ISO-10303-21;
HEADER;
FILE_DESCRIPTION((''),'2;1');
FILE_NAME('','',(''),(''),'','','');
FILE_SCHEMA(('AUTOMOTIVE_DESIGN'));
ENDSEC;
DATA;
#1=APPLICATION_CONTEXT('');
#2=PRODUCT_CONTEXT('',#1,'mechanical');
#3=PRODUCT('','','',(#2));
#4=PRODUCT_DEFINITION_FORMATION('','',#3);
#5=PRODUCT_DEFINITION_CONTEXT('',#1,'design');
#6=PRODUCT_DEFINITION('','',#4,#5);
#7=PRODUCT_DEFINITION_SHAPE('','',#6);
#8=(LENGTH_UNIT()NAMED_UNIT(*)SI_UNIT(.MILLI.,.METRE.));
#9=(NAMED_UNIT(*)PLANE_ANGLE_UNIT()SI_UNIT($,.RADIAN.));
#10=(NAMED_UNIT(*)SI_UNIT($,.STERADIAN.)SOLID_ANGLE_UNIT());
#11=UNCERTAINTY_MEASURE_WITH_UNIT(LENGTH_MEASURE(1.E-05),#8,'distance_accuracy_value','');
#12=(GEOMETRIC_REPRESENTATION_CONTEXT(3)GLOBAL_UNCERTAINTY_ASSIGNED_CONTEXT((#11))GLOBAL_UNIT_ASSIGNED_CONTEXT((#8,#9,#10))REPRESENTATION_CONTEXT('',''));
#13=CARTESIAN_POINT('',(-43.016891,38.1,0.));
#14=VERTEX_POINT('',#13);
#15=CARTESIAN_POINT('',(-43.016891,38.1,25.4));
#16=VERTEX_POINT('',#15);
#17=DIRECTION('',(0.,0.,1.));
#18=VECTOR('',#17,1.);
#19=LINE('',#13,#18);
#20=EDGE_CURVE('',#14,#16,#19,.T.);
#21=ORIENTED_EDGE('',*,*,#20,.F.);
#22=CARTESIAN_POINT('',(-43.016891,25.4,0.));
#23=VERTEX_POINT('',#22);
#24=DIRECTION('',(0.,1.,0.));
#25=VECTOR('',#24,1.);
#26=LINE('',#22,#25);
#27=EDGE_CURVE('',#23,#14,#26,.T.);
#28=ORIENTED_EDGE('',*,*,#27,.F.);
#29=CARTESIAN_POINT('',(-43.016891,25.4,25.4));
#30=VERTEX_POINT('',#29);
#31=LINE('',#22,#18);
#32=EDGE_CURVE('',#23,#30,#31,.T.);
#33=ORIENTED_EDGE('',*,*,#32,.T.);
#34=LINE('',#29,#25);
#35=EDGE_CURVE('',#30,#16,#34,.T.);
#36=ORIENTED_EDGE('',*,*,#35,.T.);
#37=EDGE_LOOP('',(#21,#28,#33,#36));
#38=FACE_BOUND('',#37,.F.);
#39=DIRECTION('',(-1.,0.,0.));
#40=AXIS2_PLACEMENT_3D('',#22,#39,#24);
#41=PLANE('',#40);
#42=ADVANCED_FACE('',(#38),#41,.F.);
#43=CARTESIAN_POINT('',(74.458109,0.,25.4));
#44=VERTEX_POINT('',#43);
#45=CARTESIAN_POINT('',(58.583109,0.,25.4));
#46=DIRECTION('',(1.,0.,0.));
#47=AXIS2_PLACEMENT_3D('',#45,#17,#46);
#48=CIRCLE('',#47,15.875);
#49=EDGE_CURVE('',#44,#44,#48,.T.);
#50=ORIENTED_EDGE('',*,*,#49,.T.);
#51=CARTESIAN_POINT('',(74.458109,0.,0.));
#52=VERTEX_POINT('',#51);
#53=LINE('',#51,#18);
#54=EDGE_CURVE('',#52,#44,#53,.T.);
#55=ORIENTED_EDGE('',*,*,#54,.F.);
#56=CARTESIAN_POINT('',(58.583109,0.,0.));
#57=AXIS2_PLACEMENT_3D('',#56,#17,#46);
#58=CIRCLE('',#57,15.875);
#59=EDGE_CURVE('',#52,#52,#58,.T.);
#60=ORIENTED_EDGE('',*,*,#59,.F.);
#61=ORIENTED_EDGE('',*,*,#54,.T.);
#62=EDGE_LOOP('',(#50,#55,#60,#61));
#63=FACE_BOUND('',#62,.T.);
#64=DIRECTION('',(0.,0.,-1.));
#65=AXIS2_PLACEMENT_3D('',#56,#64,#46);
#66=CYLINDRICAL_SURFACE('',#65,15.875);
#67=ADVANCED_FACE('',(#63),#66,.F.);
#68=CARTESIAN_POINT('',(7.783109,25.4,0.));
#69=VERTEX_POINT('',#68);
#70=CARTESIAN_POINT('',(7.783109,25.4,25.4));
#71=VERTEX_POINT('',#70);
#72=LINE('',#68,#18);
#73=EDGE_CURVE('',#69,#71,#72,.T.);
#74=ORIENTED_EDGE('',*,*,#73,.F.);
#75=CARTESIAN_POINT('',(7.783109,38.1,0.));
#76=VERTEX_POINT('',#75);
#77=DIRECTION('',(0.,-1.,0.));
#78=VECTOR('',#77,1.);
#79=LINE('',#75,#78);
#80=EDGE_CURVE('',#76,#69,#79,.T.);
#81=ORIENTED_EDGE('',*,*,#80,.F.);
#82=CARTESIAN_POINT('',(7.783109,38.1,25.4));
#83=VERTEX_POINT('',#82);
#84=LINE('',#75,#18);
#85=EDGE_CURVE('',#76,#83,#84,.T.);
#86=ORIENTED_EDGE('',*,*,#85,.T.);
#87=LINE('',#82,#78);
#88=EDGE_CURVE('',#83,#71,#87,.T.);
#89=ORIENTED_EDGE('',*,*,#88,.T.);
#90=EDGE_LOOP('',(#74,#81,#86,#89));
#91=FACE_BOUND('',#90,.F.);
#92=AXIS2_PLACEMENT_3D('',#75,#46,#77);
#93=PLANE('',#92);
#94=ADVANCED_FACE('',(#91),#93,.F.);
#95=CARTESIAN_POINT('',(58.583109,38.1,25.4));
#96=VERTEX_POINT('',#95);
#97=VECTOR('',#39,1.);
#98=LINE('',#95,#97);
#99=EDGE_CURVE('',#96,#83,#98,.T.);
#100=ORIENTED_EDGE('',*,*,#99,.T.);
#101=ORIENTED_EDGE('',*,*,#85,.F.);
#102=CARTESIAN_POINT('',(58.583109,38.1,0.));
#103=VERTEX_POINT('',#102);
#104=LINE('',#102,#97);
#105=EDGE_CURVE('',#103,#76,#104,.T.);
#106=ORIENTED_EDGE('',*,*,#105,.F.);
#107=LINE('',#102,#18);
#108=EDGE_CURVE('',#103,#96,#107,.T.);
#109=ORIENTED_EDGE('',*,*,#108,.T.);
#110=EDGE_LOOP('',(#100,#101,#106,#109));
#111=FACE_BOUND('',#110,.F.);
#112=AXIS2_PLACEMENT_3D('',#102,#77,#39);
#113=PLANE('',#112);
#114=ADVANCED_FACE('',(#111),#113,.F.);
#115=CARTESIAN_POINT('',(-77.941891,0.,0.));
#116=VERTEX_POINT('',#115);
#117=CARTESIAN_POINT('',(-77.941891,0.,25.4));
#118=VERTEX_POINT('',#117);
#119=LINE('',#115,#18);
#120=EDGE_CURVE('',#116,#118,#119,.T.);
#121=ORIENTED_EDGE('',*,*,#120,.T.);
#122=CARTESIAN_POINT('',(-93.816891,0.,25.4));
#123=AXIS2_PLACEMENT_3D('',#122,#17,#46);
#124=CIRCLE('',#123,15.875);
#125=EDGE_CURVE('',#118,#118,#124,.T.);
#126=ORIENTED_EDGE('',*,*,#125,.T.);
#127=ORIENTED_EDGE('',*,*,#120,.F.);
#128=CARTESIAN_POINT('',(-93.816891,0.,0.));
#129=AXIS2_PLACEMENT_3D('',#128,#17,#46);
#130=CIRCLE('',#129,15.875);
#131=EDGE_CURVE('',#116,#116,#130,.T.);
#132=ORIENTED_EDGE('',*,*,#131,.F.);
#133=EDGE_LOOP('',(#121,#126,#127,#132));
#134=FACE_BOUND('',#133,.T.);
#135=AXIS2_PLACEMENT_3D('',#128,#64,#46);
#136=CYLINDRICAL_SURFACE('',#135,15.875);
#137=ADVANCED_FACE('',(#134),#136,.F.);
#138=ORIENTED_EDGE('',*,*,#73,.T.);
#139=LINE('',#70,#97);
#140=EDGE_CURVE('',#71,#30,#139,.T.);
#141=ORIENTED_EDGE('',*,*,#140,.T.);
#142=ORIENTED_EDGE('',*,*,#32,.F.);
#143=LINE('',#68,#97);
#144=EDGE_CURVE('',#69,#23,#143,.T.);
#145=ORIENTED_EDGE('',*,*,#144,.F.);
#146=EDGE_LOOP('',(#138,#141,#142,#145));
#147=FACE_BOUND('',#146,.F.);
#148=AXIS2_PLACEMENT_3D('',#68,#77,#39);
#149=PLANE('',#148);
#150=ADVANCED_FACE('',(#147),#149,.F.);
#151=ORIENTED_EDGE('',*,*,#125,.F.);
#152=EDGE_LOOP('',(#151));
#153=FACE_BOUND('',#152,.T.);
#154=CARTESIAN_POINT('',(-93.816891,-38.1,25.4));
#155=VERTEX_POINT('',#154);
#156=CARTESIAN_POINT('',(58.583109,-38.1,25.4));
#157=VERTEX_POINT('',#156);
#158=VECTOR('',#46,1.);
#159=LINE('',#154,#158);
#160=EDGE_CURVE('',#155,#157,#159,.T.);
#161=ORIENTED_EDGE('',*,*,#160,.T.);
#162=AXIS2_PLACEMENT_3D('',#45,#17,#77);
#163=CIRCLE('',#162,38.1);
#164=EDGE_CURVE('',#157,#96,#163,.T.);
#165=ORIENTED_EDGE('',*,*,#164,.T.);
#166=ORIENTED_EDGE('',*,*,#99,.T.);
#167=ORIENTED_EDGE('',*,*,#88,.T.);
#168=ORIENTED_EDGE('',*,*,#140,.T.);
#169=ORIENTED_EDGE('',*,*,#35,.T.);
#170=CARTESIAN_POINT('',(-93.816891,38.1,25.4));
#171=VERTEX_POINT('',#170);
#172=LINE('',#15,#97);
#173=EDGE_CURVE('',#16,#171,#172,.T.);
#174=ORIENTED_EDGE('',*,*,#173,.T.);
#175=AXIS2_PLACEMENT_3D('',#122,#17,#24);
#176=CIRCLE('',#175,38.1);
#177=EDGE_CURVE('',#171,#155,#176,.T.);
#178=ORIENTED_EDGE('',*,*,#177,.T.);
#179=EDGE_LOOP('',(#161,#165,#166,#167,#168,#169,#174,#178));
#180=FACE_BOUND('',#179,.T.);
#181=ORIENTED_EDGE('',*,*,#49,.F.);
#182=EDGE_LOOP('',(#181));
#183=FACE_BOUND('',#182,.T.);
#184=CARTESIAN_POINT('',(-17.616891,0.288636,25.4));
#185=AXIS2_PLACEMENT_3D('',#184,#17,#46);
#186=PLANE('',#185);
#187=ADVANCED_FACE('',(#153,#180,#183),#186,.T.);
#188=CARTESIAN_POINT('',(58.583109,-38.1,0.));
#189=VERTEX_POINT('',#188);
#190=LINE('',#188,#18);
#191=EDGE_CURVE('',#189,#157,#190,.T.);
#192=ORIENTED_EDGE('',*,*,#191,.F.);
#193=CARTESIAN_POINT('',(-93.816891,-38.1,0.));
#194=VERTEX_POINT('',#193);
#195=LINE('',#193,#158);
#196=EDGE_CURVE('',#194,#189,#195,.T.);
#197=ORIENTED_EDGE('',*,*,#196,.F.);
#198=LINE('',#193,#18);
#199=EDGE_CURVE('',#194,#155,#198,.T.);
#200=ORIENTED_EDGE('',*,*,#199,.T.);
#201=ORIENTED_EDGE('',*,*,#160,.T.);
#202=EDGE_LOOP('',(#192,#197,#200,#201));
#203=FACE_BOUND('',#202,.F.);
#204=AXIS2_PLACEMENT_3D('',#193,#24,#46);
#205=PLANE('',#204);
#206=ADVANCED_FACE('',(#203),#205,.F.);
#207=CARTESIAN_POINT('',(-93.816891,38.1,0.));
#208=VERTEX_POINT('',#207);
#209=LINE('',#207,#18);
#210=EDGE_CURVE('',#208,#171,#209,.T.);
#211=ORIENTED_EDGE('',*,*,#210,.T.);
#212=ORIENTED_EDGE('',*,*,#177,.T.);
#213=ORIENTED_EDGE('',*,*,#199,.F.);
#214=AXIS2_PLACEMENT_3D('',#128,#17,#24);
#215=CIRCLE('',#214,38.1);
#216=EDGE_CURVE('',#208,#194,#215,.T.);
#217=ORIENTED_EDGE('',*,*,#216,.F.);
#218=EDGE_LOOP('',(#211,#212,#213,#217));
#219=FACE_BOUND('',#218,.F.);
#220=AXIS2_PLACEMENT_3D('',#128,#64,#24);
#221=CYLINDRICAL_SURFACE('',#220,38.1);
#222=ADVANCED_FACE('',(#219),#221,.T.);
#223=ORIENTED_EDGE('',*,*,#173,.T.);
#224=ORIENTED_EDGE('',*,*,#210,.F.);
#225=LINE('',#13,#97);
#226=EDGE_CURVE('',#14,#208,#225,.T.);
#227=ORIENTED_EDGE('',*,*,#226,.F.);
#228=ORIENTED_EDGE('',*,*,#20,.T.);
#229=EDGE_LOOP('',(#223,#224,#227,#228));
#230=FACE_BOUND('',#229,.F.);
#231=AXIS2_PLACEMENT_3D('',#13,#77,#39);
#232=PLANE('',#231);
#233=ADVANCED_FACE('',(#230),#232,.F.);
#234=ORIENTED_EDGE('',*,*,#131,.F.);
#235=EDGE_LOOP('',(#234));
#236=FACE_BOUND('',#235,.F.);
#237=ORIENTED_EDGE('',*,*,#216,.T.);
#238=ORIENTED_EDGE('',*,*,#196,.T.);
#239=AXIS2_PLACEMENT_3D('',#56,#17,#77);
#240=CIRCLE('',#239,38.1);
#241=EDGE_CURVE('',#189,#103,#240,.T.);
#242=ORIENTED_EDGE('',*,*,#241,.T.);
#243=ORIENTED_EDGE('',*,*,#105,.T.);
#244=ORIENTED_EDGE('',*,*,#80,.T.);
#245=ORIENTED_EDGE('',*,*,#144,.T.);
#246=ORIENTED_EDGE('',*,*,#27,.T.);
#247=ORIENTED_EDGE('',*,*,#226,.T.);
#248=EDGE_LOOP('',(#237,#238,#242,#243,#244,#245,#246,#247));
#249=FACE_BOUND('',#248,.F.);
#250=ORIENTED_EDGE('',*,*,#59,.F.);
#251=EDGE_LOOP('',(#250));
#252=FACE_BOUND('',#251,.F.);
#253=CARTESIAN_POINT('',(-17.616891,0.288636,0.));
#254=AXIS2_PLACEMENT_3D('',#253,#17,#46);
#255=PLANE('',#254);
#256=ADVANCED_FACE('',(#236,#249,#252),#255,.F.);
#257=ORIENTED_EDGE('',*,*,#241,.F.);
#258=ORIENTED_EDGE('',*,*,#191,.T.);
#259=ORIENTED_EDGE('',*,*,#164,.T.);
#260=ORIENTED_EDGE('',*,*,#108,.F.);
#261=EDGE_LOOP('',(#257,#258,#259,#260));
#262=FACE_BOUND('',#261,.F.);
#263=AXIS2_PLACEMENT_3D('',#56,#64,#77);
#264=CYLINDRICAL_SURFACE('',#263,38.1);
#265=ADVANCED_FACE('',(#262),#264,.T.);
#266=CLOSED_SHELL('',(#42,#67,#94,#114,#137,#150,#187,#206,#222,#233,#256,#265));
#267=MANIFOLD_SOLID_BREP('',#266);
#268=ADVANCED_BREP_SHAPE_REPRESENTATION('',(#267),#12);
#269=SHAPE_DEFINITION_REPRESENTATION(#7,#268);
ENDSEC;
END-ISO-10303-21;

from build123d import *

# Parameters (mm, degrees)
F0_R     = 15.875
F1_DEPTH = 25.4


with BuildPart() as f1:
    # F0 (on Top) → F1 (new body)
    with BuildSketch(Plane.XY):
        with BuildLine():
            Line((-93.816891, -38.1), (58.583109, -38.1))
            ThreePointArc((58.583109, -38.1), (96.683109, 0), (58.583109, 38.1))
            Line((58.583109, 38.1), (7.783109, 38.1))
            Line((7.783109, 38.1), (7.783109, 25.4))
            Line((7.783109, 25.4), (-43.016891, 25.4))
            Line((-43.016891, 25.4), (-43.016891, 38.1))
            Line((-43.016891, 38.1), (-93.816891, 38.1))
            ThreePointArc((-93.816891, 38.1), (-131.916891, 0), (-93.816891, -38.1))
        make_face()
        with Locations((-93.816891, 0)):
            Circle(F0_R, mode=Mode.SUBTRACT)
        with Locations((58.583109, 0)):
            Circle(F0_R, mode=Mode.SUBTRACT)
    extrude(amount=F1_DEPTH)


solid = f1.part
